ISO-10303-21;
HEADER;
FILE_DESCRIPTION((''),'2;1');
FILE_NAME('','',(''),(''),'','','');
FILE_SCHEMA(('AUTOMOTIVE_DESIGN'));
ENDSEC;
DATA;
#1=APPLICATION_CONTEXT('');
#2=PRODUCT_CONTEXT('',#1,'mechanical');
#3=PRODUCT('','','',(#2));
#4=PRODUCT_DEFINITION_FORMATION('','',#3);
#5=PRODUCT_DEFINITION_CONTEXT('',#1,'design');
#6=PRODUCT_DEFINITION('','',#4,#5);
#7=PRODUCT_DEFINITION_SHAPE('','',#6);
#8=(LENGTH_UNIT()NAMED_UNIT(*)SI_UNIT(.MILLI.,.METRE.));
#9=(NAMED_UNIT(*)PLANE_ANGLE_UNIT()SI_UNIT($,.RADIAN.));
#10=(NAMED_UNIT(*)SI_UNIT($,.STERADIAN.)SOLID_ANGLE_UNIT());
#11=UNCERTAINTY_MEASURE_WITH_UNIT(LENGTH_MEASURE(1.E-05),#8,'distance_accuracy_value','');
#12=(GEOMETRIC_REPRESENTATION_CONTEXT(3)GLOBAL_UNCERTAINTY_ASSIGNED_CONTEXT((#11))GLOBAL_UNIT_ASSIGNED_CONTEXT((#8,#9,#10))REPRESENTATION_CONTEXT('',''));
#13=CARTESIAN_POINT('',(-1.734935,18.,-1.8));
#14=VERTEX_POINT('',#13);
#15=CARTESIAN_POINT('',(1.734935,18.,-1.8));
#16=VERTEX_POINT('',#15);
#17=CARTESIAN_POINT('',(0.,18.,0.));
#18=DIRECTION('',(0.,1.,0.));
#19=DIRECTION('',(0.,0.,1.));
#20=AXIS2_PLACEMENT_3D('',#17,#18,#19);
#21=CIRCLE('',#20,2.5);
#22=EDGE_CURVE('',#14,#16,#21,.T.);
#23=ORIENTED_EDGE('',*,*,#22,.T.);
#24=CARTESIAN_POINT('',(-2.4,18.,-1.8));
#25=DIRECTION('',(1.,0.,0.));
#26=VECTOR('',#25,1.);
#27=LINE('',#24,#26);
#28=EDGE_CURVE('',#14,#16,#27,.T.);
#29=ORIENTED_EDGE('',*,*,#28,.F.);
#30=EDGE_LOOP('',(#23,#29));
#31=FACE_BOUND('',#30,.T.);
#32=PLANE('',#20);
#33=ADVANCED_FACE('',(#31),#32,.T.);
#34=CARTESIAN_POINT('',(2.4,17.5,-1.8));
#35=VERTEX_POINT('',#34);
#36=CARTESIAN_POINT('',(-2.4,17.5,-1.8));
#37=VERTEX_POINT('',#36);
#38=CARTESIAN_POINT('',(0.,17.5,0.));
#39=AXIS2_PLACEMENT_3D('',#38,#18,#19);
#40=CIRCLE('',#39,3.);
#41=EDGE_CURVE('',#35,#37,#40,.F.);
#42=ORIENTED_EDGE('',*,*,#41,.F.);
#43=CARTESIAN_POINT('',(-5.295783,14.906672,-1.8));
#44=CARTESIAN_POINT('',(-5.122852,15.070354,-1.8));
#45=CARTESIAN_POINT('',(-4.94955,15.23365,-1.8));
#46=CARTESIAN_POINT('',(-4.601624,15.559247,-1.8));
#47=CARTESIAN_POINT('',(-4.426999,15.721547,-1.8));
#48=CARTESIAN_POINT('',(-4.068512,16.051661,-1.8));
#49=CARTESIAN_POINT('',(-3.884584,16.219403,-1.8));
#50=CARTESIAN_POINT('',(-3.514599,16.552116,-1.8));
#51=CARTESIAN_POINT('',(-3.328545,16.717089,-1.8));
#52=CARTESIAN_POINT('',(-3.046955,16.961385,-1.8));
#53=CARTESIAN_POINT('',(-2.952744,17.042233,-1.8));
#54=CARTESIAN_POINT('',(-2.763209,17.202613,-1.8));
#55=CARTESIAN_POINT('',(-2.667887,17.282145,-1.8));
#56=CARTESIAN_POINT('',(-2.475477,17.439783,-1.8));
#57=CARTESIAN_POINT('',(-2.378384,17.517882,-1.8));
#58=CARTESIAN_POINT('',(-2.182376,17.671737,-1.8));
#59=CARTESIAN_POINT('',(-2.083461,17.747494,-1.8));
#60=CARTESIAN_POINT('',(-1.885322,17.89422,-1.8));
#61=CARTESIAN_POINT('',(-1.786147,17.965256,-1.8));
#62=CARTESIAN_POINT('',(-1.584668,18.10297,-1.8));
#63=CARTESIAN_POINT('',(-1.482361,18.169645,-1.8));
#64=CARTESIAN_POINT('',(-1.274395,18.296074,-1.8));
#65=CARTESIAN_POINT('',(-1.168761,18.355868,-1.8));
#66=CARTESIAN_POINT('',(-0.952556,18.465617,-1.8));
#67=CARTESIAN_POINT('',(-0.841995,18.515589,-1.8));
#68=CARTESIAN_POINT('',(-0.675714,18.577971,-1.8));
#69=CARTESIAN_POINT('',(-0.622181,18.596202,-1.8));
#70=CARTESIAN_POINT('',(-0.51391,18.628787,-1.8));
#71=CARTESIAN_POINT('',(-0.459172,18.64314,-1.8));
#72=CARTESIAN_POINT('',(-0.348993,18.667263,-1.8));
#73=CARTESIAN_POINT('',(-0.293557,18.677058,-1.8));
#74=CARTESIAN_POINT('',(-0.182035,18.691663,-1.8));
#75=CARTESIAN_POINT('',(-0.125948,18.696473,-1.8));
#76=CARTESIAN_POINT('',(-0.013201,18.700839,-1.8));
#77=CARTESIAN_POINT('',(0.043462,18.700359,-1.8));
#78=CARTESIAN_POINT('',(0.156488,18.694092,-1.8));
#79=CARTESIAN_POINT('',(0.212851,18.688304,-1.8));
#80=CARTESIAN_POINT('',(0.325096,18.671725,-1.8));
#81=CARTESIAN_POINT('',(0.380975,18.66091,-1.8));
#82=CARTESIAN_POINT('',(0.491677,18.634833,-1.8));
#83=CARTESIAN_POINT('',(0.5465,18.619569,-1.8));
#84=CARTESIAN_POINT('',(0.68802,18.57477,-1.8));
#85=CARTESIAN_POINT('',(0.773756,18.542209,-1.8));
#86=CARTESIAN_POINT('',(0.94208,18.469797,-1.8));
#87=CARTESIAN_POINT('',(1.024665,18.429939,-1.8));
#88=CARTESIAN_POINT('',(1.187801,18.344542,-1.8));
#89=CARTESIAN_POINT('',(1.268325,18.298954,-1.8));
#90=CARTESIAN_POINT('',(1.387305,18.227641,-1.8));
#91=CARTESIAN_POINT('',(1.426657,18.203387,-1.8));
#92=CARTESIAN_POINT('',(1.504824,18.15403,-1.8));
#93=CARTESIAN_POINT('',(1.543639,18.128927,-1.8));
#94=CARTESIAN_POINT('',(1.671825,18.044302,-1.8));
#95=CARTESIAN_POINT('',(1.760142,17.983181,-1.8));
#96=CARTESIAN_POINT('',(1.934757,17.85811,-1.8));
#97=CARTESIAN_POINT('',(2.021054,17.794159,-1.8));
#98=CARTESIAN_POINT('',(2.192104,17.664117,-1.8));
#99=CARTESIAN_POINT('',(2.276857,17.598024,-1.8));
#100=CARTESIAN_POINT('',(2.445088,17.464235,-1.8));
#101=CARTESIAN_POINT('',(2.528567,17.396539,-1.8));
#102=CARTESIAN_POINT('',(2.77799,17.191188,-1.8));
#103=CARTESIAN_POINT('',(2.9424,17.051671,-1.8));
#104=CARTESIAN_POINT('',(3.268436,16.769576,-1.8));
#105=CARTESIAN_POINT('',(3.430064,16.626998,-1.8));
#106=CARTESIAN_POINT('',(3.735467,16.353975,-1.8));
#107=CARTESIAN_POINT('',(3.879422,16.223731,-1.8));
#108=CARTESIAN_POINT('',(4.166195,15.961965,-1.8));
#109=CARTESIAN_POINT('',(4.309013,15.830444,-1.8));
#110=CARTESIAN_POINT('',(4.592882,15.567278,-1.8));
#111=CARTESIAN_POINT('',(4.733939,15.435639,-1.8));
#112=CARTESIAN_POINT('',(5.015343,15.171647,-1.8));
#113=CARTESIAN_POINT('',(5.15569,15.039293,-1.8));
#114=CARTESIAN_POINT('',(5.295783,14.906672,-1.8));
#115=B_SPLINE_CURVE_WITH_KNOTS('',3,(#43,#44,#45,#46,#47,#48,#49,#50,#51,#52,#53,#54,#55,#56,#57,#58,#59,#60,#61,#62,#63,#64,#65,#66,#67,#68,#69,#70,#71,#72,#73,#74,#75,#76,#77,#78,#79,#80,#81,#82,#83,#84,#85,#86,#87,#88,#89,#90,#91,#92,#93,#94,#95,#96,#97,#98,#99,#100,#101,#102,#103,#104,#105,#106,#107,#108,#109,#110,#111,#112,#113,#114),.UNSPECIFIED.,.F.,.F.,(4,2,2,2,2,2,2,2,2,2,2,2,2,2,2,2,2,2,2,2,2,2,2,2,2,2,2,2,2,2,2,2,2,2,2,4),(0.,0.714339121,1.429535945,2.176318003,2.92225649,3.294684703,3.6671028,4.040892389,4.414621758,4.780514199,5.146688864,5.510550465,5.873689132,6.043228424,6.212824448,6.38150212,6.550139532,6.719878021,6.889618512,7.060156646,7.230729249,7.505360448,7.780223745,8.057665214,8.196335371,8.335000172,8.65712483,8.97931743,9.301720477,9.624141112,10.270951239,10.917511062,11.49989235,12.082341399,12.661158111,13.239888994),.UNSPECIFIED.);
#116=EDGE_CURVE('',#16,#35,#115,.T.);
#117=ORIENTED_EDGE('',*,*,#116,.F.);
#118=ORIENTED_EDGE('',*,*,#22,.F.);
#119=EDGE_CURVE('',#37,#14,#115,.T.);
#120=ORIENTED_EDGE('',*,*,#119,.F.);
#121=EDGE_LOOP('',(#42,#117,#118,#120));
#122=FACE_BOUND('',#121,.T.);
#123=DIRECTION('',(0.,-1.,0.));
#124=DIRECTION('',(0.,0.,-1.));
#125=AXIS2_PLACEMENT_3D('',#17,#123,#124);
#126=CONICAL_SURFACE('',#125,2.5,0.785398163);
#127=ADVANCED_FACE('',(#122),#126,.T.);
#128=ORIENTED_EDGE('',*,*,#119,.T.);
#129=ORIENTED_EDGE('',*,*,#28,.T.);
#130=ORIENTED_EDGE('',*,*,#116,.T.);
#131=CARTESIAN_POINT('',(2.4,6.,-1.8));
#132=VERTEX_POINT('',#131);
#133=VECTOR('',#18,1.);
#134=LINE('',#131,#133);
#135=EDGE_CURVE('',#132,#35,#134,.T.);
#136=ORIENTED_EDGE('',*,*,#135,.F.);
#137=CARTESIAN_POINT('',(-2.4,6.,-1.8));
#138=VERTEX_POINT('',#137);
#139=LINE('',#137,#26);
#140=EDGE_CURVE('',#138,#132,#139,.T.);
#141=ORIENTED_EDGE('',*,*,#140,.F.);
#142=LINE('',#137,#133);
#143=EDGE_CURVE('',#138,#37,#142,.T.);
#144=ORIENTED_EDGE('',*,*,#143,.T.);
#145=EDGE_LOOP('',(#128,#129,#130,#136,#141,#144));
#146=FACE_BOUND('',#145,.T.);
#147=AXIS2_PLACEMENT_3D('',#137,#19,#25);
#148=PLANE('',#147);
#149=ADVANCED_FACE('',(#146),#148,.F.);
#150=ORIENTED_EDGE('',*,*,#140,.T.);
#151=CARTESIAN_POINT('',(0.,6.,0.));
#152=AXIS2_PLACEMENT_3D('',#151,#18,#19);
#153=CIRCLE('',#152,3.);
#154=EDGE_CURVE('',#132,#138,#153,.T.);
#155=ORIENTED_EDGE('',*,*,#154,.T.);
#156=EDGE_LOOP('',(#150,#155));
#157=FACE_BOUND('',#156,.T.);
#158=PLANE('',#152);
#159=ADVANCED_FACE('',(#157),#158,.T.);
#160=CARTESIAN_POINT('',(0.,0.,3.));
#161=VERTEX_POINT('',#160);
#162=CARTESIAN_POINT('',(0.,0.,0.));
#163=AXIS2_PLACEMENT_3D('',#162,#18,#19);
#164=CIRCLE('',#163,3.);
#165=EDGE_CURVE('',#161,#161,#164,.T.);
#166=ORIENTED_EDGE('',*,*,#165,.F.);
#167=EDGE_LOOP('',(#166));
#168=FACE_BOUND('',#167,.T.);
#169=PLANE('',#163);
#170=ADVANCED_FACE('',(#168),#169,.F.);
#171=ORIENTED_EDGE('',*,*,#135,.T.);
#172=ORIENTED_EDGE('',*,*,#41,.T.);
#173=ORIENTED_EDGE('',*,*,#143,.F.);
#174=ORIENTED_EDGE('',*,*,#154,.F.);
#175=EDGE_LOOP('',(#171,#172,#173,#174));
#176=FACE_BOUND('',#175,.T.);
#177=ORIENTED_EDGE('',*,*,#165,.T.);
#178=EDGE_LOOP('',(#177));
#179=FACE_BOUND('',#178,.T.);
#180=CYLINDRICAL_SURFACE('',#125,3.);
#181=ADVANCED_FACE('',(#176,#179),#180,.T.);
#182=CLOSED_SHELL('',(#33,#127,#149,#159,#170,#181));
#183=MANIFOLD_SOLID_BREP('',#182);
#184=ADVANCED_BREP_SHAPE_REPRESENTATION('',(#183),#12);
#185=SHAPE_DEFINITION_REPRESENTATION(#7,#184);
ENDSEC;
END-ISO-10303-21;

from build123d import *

# Parameters (mm, degrees)
SKETCH_1_R          = 3
EXTRUDE_1_DEPTH     = 18
CHAMFER_1_SIZE      = 0.5
CUT_EXTRUDE_1_DEPTH = 12


with BuildPart() as part:
    # Эскиз1 → Бобышка-Вытянуть1 (new body)
    with BuildSketch(Plane(origin=(0, 0, 0), x_dir=(1, 0, 0), z_dir=(0, 1, 0))):
        Circle(SKETCH_1_R)
    extrude(amount=EXTRUDE_1_DEPTH)

    # Фаска1
    chamfer_1_edges = [part.edges().sort_by_distance(p)[0] for p in [
        (-3, 18, 0),
    ]]
    chamfer(chamfer_1_edges, length=CHAMFER_1_SIZE)

    # Эскиз2 → Вырез-Вытянуть1 (cut)
    with BuildSketch(Plane(origin=(0, 18, 0), x_dir=(1, 0, 0), z_dir=(0, 1, 0))):
        with BuildLine():
            Line((-2.4, 1.8), (2.4, 1.8))
            ThreePointArc((2.4, 1.8), (0, 3), (-2.4, 1.8))
        make_face()
    extrude(amount=-CUT_EXTRUDE_1_DEPTH, mode=Mode.SUBTRACT)


solid = part.part
